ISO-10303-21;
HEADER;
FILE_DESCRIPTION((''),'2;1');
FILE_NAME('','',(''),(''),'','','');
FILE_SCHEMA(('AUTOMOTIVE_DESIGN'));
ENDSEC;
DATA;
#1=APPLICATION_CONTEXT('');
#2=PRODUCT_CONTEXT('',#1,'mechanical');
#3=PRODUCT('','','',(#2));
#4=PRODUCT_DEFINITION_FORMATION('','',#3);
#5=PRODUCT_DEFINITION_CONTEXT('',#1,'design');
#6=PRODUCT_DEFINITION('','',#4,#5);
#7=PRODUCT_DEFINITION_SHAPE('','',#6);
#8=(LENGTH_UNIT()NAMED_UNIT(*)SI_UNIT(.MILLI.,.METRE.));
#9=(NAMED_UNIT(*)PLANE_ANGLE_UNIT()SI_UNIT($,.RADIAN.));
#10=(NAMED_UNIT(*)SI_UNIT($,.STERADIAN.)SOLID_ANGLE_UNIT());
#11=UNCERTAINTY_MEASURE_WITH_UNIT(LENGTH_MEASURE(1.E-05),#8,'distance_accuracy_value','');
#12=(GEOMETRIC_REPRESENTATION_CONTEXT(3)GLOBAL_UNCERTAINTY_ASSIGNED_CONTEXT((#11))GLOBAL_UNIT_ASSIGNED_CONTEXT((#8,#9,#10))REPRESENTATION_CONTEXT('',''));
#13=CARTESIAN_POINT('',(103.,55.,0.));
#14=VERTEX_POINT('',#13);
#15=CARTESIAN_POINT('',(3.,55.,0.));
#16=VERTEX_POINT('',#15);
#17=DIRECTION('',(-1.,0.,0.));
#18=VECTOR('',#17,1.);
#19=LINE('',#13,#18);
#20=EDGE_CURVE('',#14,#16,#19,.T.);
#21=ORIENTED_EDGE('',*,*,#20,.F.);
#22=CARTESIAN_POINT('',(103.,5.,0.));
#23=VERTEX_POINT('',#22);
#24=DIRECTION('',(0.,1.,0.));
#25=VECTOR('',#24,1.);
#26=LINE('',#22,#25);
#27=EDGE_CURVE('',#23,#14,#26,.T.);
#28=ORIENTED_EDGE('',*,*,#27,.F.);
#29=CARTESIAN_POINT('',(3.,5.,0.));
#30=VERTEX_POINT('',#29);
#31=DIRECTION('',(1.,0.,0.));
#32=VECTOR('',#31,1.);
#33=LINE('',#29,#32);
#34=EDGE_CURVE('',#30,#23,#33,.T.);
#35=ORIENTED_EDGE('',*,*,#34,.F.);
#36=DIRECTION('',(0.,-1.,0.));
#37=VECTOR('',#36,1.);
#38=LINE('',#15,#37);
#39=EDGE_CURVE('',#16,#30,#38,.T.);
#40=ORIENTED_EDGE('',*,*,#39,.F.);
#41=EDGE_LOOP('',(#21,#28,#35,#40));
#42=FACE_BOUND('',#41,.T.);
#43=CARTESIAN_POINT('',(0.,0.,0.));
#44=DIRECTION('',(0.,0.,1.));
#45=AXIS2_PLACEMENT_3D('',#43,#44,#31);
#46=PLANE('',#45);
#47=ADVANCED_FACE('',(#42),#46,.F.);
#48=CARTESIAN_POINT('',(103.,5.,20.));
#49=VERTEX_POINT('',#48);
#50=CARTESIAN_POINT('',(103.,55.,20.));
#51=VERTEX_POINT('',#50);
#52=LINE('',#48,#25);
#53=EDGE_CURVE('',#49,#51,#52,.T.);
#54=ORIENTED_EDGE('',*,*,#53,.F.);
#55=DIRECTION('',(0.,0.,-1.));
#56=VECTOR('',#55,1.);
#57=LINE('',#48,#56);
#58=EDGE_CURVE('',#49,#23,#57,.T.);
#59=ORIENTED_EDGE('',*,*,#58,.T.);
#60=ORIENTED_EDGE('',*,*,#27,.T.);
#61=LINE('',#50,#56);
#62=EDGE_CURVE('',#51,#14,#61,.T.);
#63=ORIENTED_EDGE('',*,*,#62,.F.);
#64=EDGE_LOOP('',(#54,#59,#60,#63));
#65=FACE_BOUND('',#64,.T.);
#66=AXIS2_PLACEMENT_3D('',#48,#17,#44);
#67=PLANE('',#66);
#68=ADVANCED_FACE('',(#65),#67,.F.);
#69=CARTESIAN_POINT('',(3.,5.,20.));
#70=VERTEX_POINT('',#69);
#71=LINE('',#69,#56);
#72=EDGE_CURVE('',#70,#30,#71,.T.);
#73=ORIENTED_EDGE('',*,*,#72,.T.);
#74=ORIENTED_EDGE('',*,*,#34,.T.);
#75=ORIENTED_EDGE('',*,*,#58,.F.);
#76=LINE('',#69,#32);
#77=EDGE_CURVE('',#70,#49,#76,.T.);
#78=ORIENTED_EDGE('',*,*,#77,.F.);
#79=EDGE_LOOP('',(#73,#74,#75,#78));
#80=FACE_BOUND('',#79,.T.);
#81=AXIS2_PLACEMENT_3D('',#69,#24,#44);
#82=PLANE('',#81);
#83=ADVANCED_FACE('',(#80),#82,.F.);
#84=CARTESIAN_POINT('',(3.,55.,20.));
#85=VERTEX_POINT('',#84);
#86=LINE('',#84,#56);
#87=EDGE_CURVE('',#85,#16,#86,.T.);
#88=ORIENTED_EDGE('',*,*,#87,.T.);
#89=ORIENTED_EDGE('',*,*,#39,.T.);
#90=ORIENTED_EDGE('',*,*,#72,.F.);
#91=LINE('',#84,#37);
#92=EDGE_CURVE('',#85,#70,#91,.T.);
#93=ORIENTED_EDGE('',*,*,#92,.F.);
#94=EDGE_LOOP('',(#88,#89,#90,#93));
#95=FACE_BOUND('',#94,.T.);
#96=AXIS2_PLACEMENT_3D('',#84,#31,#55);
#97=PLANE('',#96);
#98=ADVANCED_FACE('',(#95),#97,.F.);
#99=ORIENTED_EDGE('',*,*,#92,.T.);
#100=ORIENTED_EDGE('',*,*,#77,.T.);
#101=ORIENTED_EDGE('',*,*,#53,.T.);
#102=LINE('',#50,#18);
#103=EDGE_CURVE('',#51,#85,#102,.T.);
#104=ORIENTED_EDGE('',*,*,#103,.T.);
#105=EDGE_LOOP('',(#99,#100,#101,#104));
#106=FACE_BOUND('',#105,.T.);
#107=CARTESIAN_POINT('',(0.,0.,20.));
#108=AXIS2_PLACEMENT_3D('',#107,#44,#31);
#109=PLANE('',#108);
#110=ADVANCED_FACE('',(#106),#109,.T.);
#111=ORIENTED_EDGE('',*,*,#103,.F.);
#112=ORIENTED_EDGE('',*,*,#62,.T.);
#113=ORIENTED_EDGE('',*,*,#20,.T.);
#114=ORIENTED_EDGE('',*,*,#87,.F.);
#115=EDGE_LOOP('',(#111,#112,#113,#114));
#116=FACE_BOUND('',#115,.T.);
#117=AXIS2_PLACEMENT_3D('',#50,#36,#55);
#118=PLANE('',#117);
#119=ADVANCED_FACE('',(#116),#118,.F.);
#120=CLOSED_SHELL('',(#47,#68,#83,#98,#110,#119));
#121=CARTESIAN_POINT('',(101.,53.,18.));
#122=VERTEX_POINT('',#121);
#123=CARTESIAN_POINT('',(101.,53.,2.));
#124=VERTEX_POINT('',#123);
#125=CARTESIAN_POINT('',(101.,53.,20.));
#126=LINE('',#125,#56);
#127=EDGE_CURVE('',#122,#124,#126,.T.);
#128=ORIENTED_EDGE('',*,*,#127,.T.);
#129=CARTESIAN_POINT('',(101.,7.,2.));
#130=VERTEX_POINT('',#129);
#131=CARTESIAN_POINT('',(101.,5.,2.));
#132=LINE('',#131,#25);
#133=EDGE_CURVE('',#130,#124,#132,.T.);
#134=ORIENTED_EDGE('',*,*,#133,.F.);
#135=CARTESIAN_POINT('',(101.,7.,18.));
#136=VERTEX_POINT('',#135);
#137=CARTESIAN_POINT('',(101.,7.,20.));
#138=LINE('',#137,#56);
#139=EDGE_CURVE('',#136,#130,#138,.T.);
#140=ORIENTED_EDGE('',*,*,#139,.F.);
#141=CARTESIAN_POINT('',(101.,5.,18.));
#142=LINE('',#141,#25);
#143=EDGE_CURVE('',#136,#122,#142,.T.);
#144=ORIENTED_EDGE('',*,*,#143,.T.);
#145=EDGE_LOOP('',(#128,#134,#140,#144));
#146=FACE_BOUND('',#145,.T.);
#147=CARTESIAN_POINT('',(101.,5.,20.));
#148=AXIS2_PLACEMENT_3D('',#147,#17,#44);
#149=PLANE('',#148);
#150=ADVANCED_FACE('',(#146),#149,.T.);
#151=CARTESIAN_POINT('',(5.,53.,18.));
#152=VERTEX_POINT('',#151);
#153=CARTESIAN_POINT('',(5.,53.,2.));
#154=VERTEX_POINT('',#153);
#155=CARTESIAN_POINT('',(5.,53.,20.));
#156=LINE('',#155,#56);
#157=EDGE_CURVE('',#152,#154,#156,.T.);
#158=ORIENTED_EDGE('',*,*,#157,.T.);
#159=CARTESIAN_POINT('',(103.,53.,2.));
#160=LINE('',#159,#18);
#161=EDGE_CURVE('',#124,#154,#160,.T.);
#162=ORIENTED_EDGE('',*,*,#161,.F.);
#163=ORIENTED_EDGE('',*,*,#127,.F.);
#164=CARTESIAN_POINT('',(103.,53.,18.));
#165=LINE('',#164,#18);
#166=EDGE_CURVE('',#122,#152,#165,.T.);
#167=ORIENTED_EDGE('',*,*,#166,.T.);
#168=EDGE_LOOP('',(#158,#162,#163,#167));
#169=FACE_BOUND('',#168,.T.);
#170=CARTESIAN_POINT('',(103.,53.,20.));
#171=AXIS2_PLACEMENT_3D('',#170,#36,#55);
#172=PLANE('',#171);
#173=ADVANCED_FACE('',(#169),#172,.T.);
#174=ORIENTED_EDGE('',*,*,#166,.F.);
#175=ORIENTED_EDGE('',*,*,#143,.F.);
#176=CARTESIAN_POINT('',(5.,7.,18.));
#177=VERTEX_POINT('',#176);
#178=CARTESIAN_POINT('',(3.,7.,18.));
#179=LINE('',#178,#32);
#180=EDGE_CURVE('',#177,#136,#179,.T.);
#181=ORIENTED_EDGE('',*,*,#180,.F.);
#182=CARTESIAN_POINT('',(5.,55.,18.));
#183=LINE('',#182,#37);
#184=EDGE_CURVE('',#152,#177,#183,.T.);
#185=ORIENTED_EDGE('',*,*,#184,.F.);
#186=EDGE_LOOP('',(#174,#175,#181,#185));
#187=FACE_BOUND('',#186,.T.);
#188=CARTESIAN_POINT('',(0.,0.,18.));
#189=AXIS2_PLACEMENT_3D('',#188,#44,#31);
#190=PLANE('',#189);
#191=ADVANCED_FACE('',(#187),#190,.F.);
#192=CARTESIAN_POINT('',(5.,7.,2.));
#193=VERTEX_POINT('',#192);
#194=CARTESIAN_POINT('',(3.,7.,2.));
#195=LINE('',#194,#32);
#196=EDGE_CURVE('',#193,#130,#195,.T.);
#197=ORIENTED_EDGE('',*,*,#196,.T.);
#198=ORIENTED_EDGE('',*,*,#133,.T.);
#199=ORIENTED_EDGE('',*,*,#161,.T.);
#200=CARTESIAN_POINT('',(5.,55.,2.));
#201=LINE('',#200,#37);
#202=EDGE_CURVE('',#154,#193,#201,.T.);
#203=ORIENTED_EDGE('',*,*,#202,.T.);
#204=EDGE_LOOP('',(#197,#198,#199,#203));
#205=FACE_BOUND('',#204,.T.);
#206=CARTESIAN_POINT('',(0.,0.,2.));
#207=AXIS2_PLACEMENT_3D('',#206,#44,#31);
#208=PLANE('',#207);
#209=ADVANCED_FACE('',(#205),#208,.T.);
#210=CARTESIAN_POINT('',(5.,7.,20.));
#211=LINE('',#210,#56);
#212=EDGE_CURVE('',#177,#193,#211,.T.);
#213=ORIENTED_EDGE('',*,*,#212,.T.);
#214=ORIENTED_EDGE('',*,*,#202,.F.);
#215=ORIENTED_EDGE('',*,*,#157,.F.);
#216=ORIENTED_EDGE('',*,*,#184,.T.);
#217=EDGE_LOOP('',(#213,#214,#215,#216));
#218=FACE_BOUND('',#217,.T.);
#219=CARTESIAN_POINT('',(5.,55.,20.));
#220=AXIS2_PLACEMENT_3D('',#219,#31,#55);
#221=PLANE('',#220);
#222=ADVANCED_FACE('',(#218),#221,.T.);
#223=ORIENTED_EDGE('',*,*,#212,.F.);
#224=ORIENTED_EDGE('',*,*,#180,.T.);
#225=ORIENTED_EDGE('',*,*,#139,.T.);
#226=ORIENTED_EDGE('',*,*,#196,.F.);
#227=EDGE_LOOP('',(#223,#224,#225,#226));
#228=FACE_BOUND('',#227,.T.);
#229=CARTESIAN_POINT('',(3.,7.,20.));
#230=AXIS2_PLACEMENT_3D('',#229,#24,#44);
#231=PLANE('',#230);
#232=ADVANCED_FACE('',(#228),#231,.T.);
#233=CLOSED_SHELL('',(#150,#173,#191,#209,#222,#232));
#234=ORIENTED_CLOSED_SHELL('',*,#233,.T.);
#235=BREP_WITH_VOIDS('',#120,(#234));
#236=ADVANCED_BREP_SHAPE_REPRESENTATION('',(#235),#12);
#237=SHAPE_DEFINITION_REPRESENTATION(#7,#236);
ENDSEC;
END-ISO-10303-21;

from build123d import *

# Parameters (mm, degrees)
SKETCH1_W           = 100
SKETCH1_H           = 50
BOSS_EXTRUDE1_DEPTH = 20
SHELL1_T            = 2


with BuildPart() as part:
    # Sketch1 → Boss-Extrude1 (new body)
    with BuildSketch(Plane.XY):
        with Locations((53, 30)):
            Rectangle(SKETCH1_W, SKETCH1_H)
    extrude(amount=BOSS_EXTRUDE1_DEPTH)

    # Shell1 (no face opened: a closed hollow body)
    add(offset(amount=-SHELL1_T, mode=Mode.PRIVATE), mode=Mode.SUBTRACT)


solid = part.part
